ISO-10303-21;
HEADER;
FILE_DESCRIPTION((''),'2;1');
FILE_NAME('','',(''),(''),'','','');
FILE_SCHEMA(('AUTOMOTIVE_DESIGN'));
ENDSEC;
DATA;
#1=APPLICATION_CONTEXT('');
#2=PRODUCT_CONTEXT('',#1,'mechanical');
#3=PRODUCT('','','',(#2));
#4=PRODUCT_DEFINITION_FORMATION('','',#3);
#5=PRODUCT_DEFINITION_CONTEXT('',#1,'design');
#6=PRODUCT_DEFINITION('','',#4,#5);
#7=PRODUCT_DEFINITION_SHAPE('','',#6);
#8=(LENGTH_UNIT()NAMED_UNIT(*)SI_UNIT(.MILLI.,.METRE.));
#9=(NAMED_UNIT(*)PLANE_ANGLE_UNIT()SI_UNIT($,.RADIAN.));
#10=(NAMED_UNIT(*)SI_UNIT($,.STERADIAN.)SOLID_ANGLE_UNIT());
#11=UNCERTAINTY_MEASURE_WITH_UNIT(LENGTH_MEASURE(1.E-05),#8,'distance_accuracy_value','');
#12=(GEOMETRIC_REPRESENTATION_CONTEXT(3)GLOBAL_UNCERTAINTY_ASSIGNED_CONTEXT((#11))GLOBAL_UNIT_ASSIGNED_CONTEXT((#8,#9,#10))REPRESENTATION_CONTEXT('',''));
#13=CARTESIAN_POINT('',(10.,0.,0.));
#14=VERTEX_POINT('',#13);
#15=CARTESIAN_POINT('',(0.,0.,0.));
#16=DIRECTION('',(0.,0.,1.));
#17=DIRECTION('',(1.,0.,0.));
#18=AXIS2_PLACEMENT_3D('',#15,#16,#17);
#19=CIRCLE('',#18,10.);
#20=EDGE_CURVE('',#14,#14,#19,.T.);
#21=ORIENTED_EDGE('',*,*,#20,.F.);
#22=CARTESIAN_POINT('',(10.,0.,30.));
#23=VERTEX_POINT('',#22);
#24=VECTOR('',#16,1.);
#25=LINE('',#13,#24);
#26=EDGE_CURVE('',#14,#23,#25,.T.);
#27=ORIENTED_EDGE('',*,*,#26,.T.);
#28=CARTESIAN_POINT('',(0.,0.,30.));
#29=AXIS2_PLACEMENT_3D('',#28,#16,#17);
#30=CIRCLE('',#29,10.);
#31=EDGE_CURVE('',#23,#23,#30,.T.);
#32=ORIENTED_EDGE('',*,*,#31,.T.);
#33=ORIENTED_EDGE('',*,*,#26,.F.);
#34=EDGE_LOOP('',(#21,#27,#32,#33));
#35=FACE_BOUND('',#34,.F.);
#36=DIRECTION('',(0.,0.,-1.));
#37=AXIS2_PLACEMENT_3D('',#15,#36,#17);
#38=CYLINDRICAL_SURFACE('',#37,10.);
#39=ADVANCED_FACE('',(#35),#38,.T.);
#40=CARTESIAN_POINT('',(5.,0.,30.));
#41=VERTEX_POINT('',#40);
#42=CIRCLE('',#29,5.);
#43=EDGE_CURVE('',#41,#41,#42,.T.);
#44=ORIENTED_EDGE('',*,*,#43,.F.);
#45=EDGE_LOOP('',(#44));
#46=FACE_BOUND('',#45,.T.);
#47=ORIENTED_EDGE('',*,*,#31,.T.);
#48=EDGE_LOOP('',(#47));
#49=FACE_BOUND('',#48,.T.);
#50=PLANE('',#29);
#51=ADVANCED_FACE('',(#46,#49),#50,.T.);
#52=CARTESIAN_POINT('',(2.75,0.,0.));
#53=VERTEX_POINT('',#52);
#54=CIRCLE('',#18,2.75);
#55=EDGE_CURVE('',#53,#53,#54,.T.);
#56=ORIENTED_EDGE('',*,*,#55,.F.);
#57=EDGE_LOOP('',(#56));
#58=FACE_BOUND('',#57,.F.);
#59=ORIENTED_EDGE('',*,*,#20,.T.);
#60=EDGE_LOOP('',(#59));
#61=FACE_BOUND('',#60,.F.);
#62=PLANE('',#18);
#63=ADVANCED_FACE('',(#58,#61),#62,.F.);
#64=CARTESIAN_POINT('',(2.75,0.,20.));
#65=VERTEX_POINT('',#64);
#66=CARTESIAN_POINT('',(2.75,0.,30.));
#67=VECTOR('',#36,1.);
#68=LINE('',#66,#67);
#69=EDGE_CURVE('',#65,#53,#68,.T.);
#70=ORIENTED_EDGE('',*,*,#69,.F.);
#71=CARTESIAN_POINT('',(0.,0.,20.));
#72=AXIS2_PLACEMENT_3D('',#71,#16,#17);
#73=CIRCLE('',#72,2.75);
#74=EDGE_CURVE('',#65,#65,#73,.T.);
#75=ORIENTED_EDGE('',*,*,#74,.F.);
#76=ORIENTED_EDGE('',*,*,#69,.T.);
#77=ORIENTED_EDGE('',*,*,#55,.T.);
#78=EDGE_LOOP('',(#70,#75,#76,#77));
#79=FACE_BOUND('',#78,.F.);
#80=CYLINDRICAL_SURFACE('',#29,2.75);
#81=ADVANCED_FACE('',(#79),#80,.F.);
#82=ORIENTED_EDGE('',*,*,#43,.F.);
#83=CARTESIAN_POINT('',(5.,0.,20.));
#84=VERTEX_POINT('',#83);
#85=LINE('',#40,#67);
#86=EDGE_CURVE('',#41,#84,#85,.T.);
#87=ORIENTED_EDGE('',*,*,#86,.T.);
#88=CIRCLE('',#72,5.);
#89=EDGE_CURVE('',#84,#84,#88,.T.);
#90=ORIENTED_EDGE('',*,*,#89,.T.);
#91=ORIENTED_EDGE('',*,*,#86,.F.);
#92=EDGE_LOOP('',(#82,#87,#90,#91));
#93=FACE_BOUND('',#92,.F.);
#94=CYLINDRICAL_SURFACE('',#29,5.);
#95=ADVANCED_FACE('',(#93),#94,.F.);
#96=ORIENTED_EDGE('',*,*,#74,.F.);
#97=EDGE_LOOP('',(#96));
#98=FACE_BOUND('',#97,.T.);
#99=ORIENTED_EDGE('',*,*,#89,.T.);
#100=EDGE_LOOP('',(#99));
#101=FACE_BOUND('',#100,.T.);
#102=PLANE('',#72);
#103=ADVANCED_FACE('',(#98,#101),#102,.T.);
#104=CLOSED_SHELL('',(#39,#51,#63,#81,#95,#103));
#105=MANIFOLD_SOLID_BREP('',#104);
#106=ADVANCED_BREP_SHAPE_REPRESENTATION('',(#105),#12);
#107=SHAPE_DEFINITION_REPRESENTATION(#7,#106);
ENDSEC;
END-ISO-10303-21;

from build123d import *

# Parameters (mm, degrees)
SKETCH_R        = 10
PAD_DEPTH       = 30
SKETCH001_R     = 2.75
POCKET_DEPTH    = 30.001
SKETCH002_R     = 5
POCKET001_DEPTH = 10


with BuildPart() as part:
    # Sketch → Pad (new body)
    with BuildSketch(Plane.XY):
        Circle(SKETCH_R)
    extrude(amount=PAD_DEPTH)

    # Sketch001 (on Face3 of Pad) → Pocket (cut, through all)
    with BuildSketch(Plane.XY.offset(30)):
        Circle(SKETCH001_R)
    extrude(amount=-POCKET_DEPTH, mode=Mode.SUBTRACT)

    # Sketch002 (on Face3 of Pocket) → Pocket001 (cut)
    with BuildSketch(Plane.XY.offset(30)):
        Circle(SKETCH002_R)
    extrude(amount=-POCKET001_DEPTH, mode=Mode.SUBTRACT)


solid = part.part
